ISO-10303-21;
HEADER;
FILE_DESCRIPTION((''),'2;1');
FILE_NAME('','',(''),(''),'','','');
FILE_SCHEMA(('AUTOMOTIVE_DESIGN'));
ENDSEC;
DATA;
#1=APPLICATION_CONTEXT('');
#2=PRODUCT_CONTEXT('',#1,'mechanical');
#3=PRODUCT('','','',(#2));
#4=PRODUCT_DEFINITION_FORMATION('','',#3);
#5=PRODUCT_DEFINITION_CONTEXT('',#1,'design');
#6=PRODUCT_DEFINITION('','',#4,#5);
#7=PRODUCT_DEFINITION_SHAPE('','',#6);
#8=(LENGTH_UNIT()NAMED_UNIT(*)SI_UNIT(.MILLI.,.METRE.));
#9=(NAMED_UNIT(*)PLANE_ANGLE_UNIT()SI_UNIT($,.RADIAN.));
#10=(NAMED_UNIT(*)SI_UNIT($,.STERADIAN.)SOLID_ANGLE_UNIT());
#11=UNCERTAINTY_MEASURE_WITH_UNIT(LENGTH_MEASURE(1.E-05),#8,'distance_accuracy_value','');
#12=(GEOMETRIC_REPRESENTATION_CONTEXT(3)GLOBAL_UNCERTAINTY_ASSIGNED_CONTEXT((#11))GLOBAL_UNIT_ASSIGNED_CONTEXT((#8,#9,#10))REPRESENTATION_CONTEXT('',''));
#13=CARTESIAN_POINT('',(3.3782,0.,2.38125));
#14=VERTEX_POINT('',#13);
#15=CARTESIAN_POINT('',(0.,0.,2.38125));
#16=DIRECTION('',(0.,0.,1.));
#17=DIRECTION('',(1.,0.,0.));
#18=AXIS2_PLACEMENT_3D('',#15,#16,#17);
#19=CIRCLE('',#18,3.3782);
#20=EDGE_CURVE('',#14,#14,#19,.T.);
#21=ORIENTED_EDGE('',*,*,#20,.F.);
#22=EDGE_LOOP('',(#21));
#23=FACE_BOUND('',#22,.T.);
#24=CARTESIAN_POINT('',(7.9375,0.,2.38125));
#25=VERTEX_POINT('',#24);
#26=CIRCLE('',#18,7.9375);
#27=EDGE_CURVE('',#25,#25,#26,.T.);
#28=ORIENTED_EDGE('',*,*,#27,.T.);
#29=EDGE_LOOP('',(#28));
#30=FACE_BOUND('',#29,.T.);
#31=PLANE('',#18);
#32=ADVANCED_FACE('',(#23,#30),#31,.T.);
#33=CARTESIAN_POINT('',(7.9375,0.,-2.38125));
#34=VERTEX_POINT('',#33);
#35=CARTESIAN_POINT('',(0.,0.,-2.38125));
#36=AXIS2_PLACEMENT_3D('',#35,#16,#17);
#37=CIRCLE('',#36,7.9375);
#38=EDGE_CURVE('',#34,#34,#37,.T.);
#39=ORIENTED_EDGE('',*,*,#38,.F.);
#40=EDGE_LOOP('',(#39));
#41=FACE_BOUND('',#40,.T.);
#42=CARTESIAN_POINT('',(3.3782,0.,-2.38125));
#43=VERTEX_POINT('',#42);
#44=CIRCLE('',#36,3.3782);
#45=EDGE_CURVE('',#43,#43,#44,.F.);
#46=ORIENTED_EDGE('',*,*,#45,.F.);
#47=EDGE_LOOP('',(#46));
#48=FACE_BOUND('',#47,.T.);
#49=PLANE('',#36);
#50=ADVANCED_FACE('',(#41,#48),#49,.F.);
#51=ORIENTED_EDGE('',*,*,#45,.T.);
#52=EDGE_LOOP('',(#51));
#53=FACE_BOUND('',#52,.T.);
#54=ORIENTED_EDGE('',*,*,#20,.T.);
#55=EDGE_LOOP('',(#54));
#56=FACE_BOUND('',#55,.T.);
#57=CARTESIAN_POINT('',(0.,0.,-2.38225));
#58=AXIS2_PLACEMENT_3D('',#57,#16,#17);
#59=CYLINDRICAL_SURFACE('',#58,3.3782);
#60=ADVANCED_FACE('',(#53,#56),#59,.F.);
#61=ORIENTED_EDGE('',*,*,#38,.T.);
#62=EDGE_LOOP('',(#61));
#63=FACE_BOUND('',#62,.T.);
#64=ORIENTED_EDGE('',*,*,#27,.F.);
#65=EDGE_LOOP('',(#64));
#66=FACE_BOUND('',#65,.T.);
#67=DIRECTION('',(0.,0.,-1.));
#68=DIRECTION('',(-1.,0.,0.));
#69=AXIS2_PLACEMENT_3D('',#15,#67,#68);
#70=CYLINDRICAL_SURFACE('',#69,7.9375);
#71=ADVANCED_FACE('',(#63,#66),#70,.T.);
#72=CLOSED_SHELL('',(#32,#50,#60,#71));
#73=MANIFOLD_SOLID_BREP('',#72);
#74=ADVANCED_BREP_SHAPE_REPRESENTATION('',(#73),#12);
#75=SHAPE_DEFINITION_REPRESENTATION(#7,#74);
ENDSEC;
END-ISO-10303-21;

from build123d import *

# Parameters (mm, degrees)
SKETCH1_R           = 7.9375
BOSS_EXTRUDE1_DEPTH = 2.38125
CUT_EXTRUDE1_REACH  = 6.763
SKETCH2_R           = 3.3782


with BuildPart() as part:
    # Sketch1 → Boss-Extrude1 (new body, symmetric)
    with BuildSketch(Plane.XY):
        Circle(SKETCH1_R)
    extrude(amount=BOSS_EXTRUDE1_DEPTH, both=True)

    # Sketch2 → Cut-Extrude1 (cut, up to next)
    with BuildSketch(Plane.XY.offset(2.38125), mode=Mode.PRIVATE) as cut_extrude1_sk1:
        Circle(SKETCH2_R)
    cut_extrude1_tool1 = extrude(cut_extrude1_sk1.sketch, amount=-CUT_EXTRUDE1_REACH, mode=Mode.PRIVATE) & part.part
    add(cut_extrude1_tool1.solids().sort_by_distance((0, 0, 2.38125))[0], mode=Mode.SUBTRACT)


solid = part.part
